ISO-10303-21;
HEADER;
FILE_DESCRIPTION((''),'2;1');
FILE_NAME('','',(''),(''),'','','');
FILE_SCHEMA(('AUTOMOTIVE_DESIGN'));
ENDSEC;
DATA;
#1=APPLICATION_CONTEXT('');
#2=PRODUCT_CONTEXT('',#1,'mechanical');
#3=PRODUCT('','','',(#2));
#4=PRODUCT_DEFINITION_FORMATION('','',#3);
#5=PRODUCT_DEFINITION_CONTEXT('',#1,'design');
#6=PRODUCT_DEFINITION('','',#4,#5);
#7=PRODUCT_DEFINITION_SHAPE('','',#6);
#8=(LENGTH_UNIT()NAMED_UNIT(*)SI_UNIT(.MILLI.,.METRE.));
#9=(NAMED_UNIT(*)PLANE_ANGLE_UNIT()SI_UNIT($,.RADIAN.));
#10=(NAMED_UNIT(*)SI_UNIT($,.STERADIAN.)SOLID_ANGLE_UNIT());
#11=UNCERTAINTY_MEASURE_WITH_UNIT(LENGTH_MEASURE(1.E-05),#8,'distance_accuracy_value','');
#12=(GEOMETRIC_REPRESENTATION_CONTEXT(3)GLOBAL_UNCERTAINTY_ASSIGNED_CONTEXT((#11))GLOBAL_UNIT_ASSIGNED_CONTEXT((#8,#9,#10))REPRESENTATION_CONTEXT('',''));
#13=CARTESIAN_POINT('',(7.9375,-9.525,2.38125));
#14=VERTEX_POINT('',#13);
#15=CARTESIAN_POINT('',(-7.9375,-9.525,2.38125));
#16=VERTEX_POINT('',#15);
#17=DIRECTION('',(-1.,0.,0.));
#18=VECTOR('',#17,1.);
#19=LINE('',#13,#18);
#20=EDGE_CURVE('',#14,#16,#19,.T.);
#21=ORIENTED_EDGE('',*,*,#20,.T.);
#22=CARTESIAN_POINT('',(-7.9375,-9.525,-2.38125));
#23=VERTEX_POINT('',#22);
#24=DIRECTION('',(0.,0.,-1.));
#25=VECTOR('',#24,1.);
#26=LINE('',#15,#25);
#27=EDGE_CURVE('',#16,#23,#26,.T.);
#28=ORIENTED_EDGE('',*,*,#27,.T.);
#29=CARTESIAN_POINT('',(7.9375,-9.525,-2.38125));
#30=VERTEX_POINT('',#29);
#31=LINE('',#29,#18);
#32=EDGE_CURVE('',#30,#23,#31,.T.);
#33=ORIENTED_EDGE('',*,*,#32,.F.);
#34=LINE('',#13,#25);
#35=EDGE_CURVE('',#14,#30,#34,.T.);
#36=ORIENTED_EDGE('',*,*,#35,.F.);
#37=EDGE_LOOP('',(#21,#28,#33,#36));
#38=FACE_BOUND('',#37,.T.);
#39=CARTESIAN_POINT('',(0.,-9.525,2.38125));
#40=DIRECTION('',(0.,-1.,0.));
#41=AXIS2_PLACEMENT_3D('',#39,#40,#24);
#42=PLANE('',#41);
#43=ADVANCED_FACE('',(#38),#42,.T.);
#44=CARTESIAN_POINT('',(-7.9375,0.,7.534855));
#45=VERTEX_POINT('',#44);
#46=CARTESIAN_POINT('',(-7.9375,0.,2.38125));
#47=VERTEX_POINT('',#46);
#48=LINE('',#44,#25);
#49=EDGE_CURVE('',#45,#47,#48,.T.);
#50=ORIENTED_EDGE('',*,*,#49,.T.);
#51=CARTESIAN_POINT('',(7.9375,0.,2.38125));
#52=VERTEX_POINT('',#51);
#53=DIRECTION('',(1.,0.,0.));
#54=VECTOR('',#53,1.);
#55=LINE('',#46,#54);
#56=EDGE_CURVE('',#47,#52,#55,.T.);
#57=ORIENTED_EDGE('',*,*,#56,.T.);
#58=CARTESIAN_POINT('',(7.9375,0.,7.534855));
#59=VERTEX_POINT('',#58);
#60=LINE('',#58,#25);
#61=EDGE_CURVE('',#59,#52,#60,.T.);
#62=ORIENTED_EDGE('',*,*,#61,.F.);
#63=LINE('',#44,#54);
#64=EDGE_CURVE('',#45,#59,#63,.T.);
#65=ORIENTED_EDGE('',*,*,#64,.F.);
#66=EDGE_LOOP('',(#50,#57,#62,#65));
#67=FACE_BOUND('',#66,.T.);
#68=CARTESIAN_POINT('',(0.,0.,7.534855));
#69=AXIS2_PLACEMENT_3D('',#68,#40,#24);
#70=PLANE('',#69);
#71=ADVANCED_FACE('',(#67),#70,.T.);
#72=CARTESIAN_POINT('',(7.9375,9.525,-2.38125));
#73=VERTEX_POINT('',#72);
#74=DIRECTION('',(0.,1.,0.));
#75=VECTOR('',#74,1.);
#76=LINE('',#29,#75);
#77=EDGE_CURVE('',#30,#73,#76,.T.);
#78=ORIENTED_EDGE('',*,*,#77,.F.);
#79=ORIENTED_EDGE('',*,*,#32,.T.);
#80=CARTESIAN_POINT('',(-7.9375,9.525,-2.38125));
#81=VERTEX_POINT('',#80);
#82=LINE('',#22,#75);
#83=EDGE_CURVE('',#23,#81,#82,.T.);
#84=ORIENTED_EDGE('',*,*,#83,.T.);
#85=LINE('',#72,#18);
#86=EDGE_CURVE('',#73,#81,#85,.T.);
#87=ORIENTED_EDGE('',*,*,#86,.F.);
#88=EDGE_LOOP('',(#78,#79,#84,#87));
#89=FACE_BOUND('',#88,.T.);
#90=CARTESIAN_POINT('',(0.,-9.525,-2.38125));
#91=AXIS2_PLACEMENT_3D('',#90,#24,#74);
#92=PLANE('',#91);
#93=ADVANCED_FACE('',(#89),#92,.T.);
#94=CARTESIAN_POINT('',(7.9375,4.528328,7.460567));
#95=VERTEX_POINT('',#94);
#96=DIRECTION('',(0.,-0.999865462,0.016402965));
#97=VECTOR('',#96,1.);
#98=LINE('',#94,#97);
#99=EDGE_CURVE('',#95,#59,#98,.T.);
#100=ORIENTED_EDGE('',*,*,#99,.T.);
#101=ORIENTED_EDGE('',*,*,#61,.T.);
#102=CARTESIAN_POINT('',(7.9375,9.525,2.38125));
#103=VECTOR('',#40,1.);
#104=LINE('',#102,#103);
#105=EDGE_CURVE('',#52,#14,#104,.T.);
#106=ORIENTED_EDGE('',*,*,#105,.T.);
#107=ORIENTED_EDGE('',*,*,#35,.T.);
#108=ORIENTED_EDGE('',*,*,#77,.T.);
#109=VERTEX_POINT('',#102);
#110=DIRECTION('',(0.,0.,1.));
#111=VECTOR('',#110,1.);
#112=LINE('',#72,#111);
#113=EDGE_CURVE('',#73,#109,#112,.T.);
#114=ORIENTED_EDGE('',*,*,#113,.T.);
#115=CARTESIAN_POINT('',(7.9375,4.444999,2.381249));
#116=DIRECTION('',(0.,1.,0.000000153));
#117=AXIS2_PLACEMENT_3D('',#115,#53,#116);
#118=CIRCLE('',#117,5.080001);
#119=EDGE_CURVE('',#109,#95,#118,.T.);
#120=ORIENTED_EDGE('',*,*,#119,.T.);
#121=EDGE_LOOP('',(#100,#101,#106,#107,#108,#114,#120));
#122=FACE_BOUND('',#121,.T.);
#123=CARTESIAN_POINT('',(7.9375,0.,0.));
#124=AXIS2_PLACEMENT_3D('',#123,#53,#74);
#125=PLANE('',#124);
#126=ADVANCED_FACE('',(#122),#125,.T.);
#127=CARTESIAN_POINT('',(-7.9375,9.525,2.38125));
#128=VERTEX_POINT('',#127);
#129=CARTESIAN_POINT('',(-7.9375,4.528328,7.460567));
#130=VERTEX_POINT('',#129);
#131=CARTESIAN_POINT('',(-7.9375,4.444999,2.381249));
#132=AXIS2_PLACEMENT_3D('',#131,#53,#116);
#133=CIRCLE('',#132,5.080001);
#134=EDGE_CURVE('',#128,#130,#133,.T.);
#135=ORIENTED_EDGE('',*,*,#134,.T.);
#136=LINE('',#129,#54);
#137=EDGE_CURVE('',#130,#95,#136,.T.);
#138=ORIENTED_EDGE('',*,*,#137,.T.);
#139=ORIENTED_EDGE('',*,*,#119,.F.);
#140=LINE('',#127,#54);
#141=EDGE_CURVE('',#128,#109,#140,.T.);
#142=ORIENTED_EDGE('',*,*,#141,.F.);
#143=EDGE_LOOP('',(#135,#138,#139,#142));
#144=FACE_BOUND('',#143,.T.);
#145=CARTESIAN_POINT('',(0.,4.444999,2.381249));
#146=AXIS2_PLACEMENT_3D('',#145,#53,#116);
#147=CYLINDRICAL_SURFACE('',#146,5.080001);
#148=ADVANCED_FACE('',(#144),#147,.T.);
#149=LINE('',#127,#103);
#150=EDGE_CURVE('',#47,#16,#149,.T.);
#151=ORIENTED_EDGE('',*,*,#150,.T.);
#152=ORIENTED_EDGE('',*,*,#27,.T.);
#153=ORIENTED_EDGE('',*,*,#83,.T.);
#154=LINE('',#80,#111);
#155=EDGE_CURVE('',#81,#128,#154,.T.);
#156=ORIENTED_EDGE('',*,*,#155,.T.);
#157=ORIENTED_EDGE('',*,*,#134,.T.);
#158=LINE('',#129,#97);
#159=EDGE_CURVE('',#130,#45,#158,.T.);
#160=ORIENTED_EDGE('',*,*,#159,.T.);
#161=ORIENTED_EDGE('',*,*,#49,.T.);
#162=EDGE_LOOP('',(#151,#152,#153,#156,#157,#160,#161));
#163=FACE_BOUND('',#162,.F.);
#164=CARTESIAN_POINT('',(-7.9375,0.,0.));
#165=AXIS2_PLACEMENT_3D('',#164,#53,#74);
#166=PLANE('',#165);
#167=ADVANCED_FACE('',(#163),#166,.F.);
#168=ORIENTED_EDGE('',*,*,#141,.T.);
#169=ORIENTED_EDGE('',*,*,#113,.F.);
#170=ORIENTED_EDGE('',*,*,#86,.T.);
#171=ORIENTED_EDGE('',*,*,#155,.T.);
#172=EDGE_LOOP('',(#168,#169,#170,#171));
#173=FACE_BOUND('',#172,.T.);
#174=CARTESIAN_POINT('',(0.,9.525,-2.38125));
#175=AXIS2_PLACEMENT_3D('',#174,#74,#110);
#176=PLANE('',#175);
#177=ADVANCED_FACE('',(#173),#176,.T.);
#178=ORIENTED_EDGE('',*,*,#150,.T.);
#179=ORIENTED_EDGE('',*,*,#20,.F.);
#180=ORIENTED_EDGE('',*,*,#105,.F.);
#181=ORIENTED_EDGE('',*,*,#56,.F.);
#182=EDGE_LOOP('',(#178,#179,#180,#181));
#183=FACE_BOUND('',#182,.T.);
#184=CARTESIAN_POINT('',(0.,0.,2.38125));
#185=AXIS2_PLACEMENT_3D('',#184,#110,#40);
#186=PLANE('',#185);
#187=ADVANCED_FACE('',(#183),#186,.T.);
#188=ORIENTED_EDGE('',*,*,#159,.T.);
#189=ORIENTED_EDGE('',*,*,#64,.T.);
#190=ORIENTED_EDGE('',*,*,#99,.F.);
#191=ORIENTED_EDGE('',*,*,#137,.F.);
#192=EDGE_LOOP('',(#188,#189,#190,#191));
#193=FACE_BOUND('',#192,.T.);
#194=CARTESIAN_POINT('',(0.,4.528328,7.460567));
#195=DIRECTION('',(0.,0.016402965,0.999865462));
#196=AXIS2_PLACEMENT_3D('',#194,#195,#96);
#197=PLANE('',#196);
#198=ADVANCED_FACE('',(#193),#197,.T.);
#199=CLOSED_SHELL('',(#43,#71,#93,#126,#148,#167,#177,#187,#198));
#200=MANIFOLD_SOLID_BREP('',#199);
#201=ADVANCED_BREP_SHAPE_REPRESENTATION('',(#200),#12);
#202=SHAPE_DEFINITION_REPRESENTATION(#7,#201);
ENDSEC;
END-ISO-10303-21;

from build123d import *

# Parameters (mm, degrees)
F1_DEPTH = 7.9375


with BuildPart() as f1:
    # F0 (on Right) → F1 (new body, symmetric)
    with BuildSketch(Plane.YZ):
        Polygon((9.525, -2.38125), (9.525, 2.38125), (0, 2.38125), (-9.525, 2.38125), (-9.525, -2.38125), align=None)
        with BuildLine():
            Line((0, 2.38125), (9.525, 2.38125))
            ThreePointArc((9.525, 2.38125), (8.066443, 5.94377), (4.528328, 7.460567))
            Line((4.528328, 7.460567), (0, 7.534855))
            Line((0, 7.534855), (0, 2.38125))
        make_face()
    extrude(amount=F1_DEPTH, both=True)


solid = f1.part
